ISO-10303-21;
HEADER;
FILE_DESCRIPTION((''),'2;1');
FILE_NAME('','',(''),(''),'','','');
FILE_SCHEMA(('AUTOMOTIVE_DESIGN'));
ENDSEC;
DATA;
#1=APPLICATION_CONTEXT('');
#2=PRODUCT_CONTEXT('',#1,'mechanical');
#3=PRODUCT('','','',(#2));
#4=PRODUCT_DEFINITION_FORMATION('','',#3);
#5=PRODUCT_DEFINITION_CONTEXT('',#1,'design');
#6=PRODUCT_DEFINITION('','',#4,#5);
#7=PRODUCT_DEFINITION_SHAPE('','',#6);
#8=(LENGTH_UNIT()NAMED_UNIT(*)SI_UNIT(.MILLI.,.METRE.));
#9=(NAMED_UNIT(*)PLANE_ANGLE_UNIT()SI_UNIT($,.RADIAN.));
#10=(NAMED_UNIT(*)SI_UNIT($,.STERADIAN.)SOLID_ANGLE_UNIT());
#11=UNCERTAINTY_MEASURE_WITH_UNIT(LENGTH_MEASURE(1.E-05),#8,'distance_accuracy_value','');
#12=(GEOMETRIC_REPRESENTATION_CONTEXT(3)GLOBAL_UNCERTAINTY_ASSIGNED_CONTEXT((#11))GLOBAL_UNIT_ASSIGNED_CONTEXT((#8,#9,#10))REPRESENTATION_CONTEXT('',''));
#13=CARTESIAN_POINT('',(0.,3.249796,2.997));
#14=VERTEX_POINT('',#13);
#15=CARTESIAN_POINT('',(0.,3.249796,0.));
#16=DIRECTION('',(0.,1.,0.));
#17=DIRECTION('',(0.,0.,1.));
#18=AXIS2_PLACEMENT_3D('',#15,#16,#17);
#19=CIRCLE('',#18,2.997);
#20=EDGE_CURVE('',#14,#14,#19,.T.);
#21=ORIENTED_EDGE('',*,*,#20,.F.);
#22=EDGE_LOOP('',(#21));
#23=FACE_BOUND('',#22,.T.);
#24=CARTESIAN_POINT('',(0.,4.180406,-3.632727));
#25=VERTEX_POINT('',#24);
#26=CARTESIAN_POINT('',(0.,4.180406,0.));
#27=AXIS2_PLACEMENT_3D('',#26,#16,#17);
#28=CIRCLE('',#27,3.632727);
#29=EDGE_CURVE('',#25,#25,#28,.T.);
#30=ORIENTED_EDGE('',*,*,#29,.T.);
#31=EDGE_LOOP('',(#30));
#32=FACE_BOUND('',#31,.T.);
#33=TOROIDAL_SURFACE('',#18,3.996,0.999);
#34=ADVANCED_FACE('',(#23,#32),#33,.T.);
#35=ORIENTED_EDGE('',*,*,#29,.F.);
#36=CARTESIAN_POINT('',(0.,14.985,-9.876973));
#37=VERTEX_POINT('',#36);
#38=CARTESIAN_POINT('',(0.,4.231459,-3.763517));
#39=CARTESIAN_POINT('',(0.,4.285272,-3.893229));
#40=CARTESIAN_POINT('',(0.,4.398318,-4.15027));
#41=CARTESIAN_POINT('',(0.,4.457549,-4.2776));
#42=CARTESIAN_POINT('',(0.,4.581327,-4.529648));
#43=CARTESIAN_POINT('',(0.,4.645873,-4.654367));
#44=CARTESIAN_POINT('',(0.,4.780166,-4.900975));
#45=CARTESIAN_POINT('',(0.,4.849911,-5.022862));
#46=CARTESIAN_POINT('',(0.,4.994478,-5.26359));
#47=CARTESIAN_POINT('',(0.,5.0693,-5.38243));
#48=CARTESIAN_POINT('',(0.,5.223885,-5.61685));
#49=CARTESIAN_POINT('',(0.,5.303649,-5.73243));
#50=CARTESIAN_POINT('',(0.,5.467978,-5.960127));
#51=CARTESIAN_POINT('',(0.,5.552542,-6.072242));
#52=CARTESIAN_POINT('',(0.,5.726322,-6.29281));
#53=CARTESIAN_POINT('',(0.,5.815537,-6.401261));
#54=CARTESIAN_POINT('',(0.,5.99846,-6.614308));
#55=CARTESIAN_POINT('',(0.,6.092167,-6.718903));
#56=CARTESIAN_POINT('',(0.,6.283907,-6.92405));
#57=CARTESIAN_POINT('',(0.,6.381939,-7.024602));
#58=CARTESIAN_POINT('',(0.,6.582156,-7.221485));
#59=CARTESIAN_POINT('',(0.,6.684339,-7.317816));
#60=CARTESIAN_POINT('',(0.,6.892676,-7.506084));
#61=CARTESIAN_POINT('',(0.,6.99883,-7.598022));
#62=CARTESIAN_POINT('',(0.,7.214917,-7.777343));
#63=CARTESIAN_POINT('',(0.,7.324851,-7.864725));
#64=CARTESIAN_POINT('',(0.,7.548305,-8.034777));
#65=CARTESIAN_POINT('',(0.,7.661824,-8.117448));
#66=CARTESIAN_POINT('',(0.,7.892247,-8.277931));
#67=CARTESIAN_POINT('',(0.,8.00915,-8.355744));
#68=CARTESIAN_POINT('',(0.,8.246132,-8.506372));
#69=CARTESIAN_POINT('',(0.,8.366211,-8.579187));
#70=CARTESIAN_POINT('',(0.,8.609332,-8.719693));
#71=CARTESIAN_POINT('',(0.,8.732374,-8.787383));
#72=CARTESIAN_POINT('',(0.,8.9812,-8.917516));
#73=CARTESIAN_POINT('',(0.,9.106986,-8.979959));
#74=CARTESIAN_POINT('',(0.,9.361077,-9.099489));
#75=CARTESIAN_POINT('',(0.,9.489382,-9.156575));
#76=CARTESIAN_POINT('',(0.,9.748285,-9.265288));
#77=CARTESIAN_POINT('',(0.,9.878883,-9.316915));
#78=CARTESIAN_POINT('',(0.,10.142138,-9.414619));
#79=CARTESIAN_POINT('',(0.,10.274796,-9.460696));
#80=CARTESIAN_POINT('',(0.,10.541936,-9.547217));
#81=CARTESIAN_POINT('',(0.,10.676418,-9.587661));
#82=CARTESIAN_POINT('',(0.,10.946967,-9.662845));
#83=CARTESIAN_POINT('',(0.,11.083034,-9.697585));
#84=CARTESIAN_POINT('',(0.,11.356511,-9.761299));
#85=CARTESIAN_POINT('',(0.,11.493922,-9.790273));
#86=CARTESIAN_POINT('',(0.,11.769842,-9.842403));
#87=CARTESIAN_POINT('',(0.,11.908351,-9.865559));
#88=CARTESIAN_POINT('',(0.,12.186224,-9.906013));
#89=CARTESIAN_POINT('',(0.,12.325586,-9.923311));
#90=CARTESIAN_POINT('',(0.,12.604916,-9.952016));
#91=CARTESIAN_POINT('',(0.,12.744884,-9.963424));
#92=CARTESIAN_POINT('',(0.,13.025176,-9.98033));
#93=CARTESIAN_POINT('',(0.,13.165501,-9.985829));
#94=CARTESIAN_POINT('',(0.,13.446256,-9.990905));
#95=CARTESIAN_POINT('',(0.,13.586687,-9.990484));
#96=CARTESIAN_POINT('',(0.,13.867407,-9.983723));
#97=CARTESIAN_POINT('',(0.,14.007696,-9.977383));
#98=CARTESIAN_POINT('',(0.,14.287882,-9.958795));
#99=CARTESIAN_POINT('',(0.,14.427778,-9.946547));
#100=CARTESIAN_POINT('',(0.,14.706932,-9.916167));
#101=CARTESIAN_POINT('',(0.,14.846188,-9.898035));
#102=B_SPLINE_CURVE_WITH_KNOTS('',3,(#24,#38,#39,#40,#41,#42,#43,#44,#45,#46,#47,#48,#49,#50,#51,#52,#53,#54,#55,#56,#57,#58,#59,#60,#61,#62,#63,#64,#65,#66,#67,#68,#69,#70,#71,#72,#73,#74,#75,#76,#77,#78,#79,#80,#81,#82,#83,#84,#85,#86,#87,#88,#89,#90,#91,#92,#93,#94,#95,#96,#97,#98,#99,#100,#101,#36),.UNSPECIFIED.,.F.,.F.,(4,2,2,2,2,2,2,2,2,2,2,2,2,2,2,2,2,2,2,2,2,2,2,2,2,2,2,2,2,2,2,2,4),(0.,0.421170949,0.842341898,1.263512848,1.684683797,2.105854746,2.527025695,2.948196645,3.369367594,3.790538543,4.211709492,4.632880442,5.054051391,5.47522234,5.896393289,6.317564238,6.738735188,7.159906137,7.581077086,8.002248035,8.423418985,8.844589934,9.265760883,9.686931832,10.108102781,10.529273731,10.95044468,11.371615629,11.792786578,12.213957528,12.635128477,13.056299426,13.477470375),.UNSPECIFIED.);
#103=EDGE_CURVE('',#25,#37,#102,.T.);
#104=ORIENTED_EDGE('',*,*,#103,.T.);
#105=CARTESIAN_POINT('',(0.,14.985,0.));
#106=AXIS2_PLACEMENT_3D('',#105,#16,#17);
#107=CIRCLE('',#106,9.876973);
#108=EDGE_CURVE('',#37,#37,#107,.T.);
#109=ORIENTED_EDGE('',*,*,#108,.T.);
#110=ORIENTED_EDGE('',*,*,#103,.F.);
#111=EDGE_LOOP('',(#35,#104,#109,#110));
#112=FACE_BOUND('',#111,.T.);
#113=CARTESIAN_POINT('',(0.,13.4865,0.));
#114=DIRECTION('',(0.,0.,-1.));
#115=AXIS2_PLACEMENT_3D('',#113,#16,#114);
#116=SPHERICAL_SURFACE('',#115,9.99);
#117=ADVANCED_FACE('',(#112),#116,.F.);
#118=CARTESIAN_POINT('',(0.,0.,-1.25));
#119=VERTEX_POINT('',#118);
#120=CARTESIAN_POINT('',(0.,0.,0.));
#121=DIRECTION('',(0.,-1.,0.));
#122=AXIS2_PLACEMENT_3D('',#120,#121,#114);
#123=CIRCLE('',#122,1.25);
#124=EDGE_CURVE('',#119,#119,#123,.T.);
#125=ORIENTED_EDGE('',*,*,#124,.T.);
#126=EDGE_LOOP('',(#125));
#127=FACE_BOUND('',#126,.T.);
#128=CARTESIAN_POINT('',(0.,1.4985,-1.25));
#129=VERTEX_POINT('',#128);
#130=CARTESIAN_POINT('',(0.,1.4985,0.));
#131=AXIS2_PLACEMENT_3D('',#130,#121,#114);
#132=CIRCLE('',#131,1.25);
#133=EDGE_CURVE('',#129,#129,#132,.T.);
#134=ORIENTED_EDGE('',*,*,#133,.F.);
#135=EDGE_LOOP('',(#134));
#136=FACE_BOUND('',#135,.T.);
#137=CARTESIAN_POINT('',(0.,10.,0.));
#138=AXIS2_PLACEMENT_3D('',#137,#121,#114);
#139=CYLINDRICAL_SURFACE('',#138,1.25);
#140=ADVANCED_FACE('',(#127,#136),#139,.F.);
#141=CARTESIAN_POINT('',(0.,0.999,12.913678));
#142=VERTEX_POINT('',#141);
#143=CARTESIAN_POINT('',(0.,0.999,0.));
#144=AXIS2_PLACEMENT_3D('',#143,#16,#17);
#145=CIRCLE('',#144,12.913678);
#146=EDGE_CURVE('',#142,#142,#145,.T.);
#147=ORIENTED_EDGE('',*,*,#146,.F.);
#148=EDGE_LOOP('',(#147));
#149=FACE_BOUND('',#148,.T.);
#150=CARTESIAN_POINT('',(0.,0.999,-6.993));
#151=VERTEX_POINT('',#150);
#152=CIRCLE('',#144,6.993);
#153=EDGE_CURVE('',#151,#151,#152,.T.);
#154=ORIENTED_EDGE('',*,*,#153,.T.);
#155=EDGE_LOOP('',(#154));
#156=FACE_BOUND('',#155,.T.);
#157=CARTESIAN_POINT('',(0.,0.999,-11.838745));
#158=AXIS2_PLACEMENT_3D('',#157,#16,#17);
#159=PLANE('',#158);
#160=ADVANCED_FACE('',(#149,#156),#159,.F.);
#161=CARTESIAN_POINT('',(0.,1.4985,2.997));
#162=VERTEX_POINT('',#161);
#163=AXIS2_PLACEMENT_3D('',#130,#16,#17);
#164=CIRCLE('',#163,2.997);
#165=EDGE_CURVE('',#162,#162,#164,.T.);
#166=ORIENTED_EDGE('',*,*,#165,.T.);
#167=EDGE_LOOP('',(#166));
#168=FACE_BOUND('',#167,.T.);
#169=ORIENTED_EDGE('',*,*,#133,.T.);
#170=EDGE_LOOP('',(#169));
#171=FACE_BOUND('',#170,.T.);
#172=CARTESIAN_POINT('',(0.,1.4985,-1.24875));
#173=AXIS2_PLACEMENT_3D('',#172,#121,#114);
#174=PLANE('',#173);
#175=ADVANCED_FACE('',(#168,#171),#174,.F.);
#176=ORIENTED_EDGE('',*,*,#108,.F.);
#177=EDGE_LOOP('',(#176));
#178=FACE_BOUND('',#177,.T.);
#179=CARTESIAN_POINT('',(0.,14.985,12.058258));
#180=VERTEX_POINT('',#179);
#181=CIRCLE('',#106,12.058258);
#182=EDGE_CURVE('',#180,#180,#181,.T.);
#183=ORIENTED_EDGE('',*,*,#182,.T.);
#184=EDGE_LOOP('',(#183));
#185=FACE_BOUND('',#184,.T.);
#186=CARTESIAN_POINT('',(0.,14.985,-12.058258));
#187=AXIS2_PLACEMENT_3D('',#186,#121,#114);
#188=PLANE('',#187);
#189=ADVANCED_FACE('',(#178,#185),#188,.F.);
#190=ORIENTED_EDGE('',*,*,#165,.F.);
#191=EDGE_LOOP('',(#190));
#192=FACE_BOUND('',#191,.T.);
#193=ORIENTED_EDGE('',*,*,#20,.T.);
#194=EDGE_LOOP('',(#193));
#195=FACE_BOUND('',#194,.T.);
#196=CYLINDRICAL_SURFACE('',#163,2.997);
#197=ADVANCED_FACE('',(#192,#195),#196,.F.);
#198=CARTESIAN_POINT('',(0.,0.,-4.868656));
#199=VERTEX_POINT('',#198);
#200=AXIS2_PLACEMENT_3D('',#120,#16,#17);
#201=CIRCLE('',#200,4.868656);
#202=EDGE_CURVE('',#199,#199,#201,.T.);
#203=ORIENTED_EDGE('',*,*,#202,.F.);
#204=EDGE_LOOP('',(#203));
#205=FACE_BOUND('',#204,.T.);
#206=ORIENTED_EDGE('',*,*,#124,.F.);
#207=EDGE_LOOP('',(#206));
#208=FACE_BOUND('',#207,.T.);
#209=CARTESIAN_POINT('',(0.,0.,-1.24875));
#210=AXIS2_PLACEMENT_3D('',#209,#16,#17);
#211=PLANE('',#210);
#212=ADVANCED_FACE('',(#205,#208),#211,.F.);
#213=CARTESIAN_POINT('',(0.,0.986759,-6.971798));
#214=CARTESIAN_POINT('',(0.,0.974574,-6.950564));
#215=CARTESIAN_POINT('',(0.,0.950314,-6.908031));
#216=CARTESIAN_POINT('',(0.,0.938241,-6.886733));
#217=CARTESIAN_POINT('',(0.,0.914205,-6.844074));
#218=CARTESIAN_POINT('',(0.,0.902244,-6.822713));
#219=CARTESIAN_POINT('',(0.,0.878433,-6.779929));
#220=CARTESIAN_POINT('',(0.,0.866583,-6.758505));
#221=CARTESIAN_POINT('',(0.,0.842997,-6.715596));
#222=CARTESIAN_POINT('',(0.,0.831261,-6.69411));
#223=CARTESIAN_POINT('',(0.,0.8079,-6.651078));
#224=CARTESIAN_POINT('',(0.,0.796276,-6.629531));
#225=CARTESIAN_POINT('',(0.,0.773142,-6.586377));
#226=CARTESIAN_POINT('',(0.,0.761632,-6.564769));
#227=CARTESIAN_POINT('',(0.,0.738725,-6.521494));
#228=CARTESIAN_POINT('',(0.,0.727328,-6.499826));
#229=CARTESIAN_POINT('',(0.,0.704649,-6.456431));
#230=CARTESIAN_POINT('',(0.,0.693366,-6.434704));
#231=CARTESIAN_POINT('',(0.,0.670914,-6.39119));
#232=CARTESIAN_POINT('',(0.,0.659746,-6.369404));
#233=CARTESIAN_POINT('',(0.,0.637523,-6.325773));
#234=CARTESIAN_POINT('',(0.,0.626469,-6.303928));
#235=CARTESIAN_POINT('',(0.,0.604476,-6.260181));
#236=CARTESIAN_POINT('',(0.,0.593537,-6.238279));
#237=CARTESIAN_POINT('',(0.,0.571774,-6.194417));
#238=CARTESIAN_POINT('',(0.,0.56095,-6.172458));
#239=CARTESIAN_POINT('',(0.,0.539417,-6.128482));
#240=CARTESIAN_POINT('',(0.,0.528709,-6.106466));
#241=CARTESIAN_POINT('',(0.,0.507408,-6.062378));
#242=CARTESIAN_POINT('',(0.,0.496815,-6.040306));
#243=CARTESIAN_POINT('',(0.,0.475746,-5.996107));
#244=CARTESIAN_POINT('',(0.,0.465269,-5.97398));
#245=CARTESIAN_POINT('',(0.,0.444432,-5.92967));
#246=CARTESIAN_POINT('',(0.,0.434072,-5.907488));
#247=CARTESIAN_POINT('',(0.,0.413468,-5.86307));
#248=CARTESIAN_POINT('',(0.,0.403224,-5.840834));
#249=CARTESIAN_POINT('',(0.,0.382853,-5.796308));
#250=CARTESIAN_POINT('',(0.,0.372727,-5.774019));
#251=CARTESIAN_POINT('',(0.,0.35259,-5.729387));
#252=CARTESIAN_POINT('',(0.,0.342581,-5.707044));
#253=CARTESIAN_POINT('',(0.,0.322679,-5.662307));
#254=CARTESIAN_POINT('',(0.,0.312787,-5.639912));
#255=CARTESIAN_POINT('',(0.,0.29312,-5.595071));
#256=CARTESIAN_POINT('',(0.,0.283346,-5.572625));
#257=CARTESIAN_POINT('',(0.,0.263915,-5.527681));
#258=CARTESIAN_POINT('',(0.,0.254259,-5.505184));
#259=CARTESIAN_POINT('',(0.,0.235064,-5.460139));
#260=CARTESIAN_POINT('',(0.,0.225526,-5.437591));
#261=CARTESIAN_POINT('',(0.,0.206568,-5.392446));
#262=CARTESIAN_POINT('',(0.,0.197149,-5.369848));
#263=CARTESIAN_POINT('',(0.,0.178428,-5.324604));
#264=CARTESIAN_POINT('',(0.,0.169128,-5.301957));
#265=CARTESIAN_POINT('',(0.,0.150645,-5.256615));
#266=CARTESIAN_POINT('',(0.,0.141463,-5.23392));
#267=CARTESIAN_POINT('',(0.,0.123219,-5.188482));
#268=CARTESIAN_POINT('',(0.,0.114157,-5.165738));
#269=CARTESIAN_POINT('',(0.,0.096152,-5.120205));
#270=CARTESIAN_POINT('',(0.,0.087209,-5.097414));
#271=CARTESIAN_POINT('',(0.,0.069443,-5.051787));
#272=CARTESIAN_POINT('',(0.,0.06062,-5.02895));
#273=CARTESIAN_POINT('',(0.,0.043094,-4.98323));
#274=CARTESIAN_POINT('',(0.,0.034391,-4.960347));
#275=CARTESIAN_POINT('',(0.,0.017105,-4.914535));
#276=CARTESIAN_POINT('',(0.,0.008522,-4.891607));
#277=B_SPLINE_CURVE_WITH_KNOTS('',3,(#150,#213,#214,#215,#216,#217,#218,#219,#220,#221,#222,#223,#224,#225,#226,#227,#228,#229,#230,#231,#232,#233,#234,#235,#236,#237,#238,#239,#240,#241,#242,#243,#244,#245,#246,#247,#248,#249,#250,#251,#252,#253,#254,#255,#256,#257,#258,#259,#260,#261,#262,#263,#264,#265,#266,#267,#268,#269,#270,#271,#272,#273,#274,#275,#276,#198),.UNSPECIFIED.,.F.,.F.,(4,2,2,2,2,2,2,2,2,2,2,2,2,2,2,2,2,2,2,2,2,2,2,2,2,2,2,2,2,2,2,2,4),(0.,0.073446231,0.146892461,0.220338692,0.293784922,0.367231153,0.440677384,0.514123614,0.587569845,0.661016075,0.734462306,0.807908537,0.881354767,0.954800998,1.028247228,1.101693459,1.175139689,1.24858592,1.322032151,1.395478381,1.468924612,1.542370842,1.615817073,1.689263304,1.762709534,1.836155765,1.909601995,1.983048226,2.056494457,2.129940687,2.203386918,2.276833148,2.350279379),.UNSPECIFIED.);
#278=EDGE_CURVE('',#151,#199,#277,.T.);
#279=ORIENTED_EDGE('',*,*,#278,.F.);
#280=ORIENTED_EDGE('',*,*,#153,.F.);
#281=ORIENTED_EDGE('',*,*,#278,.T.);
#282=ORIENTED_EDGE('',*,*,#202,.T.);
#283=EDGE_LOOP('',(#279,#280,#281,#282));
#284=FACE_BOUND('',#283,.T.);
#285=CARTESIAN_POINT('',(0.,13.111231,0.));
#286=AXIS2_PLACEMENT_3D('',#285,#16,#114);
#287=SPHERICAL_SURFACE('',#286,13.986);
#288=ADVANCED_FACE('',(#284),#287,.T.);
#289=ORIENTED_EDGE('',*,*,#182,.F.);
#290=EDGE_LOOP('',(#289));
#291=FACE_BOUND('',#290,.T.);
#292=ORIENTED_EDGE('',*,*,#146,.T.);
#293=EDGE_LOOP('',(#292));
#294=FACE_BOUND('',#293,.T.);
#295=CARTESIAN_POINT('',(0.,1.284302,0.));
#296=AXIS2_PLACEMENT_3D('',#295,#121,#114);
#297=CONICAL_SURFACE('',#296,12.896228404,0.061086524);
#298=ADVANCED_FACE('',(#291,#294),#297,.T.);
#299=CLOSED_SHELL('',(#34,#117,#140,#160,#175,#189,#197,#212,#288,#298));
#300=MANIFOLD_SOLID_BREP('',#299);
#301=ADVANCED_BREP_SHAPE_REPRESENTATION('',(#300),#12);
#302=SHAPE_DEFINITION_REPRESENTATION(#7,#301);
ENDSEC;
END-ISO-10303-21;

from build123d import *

# Parameters (mm, degrees)
IZIM2_R               = 1.25
KES_EKSTR_ZYON1_DEPTH = 10


with BuildPart() as part:
    # Çizim1 → Döndür3 (revolve)
    with BuildSketch(Plane(origin=(0, 0, 0), x_dir=(0, 0, -1), z_dir=(1, 0, 0)), mode=Mode.PRIVATE) as d_nd_r3_sk:
        with BuildLine():
            Line((0, 1.4985), (0, 0))
            Line((0, 0), (1.24875, 0))
            Line((1.24875, 0), (4.868655858, 0))
            ThreePointArc((4.868655858, 0), (5.951824945, 0.454850463), (6.993, 0.999))
            Line((6.993, 0.999), (11.838744981, 0.999))
            Line((11.838744981, 0.999), (12.913678251, 0.999))
            Line((12.913678251, 0.999), (12.896228404, 1.284302481))
            Line((12.896228404, 1.284302481), (12.058257846, 14.985))
            Line((12.058257846, 14.985), (9.876973107, 14.985))
            ThreePointArc((9.876973107, 14.985), (8.649440213, 8.487771762), (3.632727273, 4.180405623))
            ThreePointArc((3.632727273, 4.180405623), (3.171102899, 3.813308184), (2.997, 3.249796185))
            Line((2.997, 3.249796185), (2.997, 1.4985))
            Line((2.997, 1.4985), (1.24875, 1.4985))
            Line((1.24875, 1.4985), (0, 1.4985))
        make_face()
    revolve(d_nd_r3_sk.sketch.rotate(Axis((0, 1.4985, 0), (0, -1, 0)), 180), axis=Axis((0, 1.4985, 0), (0, -1, 0)))

    # Çizim2 → Kes-Ekstrüzyon1 (cut)
    with BuildSketch(Plane.XZ):
        with Locations(Location((0, 0, 0), (0, 0, 270))):
            Circle(IZIM2_R)
    extrude(amount=-KES_EKSTR_ZYON1_DEPTH, mode=Mode.SUBTRACT)


solid = part.part
